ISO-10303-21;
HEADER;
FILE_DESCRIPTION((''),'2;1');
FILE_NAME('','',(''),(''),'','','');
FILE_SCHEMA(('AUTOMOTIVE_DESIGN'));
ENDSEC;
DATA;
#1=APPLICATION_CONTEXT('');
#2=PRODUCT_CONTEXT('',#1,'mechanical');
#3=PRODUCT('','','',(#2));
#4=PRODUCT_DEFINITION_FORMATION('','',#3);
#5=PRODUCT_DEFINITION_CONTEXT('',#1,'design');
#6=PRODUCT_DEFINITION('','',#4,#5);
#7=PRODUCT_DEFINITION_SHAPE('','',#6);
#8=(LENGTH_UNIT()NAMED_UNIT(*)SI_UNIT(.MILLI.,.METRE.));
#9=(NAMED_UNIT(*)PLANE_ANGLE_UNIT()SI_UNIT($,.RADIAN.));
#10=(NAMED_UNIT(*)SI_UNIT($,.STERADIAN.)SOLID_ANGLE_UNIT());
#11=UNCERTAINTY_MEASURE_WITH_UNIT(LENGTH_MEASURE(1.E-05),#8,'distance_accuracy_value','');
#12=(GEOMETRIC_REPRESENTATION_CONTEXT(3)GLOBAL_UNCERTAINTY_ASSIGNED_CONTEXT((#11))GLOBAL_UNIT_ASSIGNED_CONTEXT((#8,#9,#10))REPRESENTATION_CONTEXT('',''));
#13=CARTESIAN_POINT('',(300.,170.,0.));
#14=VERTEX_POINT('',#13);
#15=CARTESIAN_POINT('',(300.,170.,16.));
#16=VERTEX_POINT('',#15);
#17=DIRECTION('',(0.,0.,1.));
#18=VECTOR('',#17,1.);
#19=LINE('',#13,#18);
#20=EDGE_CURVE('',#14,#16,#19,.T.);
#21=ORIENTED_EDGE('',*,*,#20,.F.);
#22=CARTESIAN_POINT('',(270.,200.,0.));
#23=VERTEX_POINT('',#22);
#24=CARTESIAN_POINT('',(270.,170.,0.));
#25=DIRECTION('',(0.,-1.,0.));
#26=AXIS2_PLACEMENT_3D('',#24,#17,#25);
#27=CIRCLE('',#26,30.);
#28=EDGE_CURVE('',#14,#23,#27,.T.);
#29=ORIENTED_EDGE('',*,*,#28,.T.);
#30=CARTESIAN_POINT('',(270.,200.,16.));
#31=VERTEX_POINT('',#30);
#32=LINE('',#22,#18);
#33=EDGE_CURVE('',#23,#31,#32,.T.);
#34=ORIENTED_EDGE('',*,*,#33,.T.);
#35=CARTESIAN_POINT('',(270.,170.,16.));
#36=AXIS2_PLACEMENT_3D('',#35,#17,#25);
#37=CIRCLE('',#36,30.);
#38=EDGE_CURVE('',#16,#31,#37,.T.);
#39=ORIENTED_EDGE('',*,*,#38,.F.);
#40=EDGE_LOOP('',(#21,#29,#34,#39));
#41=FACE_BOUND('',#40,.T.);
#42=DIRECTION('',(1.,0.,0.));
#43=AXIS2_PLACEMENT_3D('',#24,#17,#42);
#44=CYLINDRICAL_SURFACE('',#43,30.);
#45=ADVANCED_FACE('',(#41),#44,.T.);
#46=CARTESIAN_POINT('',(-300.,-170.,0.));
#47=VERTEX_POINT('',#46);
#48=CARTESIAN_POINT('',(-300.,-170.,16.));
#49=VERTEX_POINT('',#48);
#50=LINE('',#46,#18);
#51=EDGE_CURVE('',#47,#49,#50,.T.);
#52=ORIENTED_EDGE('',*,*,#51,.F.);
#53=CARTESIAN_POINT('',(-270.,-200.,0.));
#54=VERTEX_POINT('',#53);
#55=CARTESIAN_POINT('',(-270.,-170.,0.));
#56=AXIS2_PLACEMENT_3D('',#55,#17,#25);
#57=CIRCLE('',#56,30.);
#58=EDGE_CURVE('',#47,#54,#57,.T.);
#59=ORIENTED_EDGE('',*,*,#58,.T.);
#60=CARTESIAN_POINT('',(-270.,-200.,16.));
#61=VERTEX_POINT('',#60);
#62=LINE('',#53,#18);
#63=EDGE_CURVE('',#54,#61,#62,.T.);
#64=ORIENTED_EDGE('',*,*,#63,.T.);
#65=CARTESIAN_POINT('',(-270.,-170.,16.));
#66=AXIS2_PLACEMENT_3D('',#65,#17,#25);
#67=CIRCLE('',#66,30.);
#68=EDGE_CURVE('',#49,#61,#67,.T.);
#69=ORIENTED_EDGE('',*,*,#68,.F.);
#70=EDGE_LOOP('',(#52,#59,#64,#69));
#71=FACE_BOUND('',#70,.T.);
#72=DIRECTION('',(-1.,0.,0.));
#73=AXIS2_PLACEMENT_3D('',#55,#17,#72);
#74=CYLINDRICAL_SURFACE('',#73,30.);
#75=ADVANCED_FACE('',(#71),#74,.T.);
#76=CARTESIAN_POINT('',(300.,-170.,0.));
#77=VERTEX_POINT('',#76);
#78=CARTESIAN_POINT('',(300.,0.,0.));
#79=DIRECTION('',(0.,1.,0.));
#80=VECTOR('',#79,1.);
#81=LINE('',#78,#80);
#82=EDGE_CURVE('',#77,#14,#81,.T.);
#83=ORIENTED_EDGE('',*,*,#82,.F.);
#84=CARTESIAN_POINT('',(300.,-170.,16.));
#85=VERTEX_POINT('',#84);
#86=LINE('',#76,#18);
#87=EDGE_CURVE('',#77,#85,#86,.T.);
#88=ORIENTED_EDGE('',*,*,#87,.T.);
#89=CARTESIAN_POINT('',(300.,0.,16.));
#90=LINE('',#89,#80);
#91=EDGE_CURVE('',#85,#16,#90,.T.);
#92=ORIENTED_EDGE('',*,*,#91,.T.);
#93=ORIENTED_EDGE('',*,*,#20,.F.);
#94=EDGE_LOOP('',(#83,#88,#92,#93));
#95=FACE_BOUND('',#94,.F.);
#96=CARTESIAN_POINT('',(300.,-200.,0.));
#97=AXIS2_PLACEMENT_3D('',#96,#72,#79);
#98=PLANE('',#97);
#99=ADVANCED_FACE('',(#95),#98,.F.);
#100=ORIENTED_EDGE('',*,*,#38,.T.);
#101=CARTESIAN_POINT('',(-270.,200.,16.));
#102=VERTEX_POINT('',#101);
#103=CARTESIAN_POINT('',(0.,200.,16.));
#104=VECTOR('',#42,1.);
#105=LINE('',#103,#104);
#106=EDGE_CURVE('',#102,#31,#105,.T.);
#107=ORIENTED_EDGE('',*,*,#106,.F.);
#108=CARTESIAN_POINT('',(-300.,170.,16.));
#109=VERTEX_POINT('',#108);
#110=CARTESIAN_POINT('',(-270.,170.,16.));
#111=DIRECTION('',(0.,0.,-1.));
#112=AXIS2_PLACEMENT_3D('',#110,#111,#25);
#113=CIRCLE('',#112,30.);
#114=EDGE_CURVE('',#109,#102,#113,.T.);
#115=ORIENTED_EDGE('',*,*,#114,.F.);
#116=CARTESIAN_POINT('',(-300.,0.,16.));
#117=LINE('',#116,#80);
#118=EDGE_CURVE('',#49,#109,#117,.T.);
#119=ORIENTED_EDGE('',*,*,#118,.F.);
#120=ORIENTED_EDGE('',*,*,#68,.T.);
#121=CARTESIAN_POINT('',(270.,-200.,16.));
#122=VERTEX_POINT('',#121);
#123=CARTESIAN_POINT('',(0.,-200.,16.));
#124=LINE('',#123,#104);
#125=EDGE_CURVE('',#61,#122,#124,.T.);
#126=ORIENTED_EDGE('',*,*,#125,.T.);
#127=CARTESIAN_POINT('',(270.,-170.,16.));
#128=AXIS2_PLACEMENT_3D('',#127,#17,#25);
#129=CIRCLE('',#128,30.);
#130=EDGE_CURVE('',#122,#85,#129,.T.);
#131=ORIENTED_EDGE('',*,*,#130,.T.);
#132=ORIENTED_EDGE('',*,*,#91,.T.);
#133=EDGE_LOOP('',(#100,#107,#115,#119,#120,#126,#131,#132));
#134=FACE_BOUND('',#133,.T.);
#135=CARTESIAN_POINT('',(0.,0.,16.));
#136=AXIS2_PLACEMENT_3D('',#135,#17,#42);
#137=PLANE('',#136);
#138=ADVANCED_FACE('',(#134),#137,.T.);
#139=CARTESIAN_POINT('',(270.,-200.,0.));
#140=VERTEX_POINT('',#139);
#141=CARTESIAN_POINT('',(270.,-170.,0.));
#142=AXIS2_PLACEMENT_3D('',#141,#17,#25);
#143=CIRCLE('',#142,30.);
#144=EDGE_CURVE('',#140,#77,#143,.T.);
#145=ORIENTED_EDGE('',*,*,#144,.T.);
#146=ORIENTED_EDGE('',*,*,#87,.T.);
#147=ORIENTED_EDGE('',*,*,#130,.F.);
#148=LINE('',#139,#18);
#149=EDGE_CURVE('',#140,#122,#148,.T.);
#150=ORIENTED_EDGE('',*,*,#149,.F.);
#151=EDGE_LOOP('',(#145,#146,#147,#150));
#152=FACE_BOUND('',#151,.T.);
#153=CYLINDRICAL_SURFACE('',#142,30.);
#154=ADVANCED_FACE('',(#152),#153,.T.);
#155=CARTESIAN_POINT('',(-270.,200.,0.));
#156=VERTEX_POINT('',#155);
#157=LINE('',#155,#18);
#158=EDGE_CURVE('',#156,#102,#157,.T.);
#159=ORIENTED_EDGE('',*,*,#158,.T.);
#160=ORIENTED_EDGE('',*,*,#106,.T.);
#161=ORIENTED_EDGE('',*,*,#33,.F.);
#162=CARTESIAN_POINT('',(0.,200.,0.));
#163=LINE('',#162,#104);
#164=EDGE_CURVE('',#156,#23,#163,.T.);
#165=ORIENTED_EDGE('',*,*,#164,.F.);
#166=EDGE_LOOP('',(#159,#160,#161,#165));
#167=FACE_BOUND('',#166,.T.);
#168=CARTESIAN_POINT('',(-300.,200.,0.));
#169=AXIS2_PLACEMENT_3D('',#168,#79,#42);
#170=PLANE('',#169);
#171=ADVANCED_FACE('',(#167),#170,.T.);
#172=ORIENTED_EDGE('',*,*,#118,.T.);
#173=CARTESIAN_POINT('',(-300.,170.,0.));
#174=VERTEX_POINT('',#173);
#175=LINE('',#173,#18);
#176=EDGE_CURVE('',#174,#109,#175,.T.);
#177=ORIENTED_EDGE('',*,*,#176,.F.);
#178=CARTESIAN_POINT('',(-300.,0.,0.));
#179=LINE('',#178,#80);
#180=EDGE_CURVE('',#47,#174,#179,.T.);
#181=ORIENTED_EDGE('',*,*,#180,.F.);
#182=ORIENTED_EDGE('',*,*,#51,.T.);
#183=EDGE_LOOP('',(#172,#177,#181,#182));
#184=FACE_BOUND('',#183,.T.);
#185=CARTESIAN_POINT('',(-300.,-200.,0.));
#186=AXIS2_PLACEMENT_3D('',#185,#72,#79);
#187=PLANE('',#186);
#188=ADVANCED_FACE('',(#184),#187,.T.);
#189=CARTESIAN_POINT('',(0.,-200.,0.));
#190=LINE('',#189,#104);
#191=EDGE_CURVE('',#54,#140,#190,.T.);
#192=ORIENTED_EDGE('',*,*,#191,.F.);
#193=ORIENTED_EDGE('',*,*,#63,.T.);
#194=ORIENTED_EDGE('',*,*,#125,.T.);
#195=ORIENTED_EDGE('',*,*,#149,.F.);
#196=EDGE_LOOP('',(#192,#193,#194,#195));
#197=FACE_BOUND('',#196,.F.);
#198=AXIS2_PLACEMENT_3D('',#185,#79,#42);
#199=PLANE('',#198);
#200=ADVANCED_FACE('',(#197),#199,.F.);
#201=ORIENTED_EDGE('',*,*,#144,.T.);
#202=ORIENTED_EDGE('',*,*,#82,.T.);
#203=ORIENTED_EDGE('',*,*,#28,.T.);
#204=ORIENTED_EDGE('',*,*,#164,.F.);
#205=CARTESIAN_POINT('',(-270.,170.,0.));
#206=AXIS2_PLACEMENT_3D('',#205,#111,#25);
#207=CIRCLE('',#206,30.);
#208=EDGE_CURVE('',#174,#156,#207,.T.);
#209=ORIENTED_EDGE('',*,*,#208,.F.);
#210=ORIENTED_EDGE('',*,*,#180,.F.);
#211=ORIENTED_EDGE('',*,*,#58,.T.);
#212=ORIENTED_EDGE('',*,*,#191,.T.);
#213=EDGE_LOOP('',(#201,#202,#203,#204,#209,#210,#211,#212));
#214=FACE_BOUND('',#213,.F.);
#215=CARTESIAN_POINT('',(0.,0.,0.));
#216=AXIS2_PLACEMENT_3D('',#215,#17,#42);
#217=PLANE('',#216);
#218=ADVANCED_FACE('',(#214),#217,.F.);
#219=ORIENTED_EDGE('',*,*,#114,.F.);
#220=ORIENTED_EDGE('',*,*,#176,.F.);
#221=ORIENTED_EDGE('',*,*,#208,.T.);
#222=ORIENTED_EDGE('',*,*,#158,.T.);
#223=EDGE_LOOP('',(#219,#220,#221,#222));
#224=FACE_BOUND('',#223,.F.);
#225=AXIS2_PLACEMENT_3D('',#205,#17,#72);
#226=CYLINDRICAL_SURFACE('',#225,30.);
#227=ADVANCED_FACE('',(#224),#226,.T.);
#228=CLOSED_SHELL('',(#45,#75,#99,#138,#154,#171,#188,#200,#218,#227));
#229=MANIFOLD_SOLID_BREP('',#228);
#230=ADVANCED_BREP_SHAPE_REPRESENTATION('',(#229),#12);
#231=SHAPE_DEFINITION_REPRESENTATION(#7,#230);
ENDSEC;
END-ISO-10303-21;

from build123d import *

# Parameters (mm, degrees)
SKETCH_1_W      = 600
SKETCH_1_H      = 400
EXTRUDE_1_DEPTH = 16
FILLET_1_R      = 30


with BuildPart() as part:
    # 草图1 → 凸台-拉伸1 (new body)
    with BuildSketch(Plane.XY):
        Rectangle(SKETCH_1_W, SKETCH_1_H)
    extrude(amount=EXTRUDE_1_DEPTH)

    # 圆角1
    fillet_1_edges = [part.edges().sort_by_distance(p)[0] for p in [
        (-300, 200, 8),
        (300, 200, 8),
        (300, -200, 8),
        (-300, -200, 8),
    ]]
    fillet(fillet_1_edges, radius=FILLET_1_R)


solid = part.part
